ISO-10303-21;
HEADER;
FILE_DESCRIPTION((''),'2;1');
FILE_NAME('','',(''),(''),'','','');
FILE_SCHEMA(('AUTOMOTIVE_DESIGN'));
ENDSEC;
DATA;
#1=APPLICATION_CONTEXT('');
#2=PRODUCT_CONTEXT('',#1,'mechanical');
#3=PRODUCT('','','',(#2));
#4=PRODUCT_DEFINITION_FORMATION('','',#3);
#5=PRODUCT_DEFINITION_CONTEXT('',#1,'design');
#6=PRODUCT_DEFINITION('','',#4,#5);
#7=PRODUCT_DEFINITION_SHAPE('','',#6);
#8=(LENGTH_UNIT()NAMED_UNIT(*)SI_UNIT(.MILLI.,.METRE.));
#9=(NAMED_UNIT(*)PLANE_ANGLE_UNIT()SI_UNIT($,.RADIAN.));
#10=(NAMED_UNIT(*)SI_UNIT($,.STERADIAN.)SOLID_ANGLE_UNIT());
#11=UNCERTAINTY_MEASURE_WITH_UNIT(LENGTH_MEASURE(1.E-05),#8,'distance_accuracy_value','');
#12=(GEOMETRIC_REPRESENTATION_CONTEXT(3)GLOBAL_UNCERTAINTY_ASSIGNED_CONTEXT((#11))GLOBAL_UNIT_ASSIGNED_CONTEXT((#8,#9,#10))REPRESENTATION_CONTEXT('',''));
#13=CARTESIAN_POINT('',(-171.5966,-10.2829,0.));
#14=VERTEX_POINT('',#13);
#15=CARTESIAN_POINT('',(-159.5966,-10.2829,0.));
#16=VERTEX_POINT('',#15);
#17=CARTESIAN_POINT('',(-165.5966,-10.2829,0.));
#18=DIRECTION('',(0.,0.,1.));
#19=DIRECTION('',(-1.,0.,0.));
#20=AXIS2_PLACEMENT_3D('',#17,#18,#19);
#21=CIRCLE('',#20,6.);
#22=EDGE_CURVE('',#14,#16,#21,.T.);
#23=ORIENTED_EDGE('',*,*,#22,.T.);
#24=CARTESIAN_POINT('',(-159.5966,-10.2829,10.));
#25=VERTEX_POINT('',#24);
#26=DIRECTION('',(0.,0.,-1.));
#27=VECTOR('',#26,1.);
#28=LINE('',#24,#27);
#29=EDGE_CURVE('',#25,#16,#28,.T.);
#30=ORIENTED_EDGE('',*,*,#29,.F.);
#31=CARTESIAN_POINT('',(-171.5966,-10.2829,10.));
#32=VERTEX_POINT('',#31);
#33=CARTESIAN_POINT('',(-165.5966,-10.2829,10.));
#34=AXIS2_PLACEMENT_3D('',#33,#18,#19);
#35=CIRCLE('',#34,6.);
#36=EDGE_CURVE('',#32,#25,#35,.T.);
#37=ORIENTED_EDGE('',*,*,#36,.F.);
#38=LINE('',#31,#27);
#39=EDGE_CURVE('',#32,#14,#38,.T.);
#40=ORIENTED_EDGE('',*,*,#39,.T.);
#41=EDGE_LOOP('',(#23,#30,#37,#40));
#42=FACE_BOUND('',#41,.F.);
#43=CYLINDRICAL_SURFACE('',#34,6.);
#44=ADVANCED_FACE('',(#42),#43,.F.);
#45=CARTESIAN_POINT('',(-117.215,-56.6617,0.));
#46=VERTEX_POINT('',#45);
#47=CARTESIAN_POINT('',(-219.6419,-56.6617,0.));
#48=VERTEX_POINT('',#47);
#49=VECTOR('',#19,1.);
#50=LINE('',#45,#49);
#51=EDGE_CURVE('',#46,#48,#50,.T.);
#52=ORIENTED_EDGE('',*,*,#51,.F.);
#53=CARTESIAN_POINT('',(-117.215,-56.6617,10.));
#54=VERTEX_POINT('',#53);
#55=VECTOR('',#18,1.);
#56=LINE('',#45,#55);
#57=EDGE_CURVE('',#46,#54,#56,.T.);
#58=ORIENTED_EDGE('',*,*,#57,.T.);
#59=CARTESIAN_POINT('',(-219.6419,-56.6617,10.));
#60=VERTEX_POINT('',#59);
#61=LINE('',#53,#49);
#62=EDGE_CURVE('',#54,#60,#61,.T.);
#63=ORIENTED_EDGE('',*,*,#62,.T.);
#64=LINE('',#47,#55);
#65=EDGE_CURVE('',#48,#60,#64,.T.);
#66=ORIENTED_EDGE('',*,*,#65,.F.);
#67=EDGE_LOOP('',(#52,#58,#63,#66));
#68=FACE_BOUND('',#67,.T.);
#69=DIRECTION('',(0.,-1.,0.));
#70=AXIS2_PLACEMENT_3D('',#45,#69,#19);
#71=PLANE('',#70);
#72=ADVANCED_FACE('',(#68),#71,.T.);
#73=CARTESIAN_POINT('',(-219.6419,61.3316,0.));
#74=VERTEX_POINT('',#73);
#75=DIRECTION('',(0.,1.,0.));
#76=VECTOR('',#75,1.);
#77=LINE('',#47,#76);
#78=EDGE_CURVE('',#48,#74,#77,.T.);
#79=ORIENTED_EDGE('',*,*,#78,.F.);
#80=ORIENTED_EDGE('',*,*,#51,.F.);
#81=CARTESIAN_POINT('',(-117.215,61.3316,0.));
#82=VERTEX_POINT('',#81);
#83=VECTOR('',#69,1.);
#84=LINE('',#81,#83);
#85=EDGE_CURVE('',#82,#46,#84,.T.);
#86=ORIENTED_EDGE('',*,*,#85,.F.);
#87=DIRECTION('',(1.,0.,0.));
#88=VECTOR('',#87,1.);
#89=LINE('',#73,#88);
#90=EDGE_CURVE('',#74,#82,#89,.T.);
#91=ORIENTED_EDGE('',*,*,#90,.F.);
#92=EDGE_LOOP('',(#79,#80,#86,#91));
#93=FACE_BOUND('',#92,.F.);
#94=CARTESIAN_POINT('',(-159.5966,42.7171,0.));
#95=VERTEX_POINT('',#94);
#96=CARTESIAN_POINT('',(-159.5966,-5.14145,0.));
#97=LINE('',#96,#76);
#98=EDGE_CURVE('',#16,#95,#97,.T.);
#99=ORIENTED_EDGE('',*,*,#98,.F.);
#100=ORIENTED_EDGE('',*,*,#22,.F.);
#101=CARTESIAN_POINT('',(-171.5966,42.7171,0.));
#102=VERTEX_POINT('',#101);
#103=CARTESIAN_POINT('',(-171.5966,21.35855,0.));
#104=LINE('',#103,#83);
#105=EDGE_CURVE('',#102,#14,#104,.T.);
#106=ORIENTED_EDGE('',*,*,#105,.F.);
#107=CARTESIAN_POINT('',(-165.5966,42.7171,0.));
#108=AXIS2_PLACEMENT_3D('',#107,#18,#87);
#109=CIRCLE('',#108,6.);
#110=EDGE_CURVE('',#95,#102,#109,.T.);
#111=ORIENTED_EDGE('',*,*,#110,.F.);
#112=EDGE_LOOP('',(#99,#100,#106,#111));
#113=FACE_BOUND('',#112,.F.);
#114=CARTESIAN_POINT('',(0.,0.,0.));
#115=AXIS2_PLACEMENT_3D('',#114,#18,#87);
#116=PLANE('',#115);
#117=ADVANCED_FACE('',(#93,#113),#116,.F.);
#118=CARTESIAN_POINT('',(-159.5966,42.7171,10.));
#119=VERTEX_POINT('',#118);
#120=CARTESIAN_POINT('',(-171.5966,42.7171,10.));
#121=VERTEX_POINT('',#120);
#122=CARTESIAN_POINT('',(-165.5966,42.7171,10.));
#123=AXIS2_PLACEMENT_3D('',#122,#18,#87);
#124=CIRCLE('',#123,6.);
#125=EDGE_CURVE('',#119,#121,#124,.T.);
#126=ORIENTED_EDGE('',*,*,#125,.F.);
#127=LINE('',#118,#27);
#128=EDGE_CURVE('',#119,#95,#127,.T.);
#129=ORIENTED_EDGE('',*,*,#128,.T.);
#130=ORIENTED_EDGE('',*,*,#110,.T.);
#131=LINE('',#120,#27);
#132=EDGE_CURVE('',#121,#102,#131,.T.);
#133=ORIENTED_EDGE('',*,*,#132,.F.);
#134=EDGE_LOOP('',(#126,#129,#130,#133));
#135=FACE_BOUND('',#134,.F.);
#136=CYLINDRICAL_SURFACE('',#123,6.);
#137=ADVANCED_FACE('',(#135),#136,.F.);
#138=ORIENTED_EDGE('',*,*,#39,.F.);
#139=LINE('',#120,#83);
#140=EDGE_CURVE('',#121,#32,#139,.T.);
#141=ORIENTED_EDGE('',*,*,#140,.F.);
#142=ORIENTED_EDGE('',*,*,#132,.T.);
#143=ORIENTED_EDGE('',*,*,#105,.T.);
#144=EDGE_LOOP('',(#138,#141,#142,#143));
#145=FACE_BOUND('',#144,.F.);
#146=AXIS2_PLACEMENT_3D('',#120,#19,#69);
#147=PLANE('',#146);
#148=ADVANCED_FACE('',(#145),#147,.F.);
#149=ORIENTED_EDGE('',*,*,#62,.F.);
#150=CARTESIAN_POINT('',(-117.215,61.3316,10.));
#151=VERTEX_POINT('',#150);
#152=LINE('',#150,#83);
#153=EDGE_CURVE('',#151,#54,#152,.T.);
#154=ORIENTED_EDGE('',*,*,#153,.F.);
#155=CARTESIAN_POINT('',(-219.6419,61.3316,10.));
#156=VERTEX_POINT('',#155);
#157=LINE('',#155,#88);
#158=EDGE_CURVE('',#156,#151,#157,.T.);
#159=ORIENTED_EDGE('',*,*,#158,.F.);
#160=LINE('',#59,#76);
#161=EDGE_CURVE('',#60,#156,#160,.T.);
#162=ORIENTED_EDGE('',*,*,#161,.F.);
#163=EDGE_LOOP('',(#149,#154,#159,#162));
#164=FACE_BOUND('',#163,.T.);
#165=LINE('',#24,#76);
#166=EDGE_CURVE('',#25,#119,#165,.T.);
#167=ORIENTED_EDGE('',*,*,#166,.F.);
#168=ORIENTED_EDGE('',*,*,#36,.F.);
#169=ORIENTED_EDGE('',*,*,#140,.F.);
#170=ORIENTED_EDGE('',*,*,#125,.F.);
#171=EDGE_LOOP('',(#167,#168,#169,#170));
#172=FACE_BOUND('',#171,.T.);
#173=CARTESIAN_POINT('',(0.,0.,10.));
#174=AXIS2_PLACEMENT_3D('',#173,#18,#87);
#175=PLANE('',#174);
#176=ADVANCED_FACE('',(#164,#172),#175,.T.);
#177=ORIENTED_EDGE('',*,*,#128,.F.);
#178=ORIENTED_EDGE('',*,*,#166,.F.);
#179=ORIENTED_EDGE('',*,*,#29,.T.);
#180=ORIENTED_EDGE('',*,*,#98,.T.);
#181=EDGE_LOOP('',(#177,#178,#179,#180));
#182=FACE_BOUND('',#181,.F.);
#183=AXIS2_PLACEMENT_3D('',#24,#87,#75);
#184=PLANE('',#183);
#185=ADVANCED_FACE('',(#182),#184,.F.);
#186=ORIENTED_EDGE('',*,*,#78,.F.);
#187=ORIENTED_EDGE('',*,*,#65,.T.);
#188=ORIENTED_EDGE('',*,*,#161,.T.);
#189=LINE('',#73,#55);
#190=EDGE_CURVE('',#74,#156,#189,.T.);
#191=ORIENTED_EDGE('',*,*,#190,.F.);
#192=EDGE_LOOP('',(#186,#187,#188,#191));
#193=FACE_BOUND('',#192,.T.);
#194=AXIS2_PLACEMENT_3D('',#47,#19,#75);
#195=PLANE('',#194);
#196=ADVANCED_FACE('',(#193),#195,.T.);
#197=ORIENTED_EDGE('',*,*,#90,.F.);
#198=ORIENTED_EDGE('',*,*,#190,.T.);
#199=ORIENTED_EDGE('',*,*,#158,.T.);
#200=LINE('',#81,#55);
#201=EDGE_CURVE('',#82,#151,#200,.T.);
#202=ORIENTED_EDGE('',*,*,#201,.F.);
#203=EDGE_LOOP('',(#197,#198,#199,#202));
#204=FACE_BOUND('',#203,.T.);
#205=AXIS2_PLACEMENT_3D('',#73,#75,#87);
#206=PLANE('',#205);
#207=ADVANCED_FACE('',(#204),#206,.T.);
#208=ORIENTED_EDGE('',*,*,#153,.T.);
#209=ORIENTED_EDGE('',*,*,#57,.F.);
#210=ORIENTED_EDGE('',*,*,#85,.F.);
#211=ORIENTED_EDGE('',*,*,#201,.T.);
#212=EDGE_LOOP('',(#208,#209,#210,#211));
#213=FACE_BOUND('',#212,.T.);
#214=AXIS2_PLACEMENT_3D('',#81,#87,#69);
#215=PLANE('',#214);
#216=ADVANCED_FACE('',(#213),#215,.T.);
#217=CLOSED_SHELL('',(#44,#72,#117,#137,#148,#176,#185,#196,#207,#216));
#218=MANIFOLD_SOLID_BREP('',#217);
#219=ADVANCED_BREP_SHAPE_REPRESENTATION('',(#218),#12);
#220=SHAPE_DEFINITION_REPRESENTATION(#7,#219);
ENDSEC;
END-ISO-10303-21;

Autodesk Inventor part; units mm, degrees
ref_plane "YZ Plane" through (0, 0, 0) normal (1, 0, 0) x (0, 1, 0)
ref_plane "XZ Plane" through (0, 0, 0) normal (0, 1, 0) x (-1, 0, 0)
ref_plane "XY Plane" through (0, 0, 0) normal (0, 0, 1) x (1, 0, 0)
sketch "Sketch1" plane through (0, 0, 0) normal (0, 0, 1) x (1, 0, 0)
  line L0 (-219.6419, 61.3316) -> (-117.215, 61.3316)
  line L1 (-117.215, 61.3316) -> (-117.215, -56.6617)
  line L2 (-117.215, -56.6617) -> (-219.6419, -56.6617)
  line L3 (-219.6419, -56.6617) -> (-219.6419, 61.3316)
  point P0 (0, 0)
extrude "Extrusion1" add sketch "Sketch1" along normal blind 10
sketch "Sketch2" plane through (0, 0, 10) normal (0, 0, 1) x (1, 0, 0)
  line L0 (-165.5966, 48.7171) -> (-165.5966, -16.2829) construction
  line L1 (-171.5966, 42.7171) -> (-171.5966, -10.2829)
  line L2 (-159.5966, -10.2829) -> (-159.5966, 42.7171)
  arc A0 (-159.5966, 42.7171) -> (-171.5966, 42.7171) centre (-165.5966, 42.7171) ccw
  arc A1 (-171.5966, -10.2829) -> (-159.5966, -10.2829) centre (-165.5966, -10.2829) ccw
  point P0 (0, 0)
  point P1 (-165.5966, 16.2171)
  dimension "d2" = 12
  dimension "d3" = 65
extrude "Extrusion2" cut sketch "Sketch2" against normal through all
properties part number "belt circufrence"
